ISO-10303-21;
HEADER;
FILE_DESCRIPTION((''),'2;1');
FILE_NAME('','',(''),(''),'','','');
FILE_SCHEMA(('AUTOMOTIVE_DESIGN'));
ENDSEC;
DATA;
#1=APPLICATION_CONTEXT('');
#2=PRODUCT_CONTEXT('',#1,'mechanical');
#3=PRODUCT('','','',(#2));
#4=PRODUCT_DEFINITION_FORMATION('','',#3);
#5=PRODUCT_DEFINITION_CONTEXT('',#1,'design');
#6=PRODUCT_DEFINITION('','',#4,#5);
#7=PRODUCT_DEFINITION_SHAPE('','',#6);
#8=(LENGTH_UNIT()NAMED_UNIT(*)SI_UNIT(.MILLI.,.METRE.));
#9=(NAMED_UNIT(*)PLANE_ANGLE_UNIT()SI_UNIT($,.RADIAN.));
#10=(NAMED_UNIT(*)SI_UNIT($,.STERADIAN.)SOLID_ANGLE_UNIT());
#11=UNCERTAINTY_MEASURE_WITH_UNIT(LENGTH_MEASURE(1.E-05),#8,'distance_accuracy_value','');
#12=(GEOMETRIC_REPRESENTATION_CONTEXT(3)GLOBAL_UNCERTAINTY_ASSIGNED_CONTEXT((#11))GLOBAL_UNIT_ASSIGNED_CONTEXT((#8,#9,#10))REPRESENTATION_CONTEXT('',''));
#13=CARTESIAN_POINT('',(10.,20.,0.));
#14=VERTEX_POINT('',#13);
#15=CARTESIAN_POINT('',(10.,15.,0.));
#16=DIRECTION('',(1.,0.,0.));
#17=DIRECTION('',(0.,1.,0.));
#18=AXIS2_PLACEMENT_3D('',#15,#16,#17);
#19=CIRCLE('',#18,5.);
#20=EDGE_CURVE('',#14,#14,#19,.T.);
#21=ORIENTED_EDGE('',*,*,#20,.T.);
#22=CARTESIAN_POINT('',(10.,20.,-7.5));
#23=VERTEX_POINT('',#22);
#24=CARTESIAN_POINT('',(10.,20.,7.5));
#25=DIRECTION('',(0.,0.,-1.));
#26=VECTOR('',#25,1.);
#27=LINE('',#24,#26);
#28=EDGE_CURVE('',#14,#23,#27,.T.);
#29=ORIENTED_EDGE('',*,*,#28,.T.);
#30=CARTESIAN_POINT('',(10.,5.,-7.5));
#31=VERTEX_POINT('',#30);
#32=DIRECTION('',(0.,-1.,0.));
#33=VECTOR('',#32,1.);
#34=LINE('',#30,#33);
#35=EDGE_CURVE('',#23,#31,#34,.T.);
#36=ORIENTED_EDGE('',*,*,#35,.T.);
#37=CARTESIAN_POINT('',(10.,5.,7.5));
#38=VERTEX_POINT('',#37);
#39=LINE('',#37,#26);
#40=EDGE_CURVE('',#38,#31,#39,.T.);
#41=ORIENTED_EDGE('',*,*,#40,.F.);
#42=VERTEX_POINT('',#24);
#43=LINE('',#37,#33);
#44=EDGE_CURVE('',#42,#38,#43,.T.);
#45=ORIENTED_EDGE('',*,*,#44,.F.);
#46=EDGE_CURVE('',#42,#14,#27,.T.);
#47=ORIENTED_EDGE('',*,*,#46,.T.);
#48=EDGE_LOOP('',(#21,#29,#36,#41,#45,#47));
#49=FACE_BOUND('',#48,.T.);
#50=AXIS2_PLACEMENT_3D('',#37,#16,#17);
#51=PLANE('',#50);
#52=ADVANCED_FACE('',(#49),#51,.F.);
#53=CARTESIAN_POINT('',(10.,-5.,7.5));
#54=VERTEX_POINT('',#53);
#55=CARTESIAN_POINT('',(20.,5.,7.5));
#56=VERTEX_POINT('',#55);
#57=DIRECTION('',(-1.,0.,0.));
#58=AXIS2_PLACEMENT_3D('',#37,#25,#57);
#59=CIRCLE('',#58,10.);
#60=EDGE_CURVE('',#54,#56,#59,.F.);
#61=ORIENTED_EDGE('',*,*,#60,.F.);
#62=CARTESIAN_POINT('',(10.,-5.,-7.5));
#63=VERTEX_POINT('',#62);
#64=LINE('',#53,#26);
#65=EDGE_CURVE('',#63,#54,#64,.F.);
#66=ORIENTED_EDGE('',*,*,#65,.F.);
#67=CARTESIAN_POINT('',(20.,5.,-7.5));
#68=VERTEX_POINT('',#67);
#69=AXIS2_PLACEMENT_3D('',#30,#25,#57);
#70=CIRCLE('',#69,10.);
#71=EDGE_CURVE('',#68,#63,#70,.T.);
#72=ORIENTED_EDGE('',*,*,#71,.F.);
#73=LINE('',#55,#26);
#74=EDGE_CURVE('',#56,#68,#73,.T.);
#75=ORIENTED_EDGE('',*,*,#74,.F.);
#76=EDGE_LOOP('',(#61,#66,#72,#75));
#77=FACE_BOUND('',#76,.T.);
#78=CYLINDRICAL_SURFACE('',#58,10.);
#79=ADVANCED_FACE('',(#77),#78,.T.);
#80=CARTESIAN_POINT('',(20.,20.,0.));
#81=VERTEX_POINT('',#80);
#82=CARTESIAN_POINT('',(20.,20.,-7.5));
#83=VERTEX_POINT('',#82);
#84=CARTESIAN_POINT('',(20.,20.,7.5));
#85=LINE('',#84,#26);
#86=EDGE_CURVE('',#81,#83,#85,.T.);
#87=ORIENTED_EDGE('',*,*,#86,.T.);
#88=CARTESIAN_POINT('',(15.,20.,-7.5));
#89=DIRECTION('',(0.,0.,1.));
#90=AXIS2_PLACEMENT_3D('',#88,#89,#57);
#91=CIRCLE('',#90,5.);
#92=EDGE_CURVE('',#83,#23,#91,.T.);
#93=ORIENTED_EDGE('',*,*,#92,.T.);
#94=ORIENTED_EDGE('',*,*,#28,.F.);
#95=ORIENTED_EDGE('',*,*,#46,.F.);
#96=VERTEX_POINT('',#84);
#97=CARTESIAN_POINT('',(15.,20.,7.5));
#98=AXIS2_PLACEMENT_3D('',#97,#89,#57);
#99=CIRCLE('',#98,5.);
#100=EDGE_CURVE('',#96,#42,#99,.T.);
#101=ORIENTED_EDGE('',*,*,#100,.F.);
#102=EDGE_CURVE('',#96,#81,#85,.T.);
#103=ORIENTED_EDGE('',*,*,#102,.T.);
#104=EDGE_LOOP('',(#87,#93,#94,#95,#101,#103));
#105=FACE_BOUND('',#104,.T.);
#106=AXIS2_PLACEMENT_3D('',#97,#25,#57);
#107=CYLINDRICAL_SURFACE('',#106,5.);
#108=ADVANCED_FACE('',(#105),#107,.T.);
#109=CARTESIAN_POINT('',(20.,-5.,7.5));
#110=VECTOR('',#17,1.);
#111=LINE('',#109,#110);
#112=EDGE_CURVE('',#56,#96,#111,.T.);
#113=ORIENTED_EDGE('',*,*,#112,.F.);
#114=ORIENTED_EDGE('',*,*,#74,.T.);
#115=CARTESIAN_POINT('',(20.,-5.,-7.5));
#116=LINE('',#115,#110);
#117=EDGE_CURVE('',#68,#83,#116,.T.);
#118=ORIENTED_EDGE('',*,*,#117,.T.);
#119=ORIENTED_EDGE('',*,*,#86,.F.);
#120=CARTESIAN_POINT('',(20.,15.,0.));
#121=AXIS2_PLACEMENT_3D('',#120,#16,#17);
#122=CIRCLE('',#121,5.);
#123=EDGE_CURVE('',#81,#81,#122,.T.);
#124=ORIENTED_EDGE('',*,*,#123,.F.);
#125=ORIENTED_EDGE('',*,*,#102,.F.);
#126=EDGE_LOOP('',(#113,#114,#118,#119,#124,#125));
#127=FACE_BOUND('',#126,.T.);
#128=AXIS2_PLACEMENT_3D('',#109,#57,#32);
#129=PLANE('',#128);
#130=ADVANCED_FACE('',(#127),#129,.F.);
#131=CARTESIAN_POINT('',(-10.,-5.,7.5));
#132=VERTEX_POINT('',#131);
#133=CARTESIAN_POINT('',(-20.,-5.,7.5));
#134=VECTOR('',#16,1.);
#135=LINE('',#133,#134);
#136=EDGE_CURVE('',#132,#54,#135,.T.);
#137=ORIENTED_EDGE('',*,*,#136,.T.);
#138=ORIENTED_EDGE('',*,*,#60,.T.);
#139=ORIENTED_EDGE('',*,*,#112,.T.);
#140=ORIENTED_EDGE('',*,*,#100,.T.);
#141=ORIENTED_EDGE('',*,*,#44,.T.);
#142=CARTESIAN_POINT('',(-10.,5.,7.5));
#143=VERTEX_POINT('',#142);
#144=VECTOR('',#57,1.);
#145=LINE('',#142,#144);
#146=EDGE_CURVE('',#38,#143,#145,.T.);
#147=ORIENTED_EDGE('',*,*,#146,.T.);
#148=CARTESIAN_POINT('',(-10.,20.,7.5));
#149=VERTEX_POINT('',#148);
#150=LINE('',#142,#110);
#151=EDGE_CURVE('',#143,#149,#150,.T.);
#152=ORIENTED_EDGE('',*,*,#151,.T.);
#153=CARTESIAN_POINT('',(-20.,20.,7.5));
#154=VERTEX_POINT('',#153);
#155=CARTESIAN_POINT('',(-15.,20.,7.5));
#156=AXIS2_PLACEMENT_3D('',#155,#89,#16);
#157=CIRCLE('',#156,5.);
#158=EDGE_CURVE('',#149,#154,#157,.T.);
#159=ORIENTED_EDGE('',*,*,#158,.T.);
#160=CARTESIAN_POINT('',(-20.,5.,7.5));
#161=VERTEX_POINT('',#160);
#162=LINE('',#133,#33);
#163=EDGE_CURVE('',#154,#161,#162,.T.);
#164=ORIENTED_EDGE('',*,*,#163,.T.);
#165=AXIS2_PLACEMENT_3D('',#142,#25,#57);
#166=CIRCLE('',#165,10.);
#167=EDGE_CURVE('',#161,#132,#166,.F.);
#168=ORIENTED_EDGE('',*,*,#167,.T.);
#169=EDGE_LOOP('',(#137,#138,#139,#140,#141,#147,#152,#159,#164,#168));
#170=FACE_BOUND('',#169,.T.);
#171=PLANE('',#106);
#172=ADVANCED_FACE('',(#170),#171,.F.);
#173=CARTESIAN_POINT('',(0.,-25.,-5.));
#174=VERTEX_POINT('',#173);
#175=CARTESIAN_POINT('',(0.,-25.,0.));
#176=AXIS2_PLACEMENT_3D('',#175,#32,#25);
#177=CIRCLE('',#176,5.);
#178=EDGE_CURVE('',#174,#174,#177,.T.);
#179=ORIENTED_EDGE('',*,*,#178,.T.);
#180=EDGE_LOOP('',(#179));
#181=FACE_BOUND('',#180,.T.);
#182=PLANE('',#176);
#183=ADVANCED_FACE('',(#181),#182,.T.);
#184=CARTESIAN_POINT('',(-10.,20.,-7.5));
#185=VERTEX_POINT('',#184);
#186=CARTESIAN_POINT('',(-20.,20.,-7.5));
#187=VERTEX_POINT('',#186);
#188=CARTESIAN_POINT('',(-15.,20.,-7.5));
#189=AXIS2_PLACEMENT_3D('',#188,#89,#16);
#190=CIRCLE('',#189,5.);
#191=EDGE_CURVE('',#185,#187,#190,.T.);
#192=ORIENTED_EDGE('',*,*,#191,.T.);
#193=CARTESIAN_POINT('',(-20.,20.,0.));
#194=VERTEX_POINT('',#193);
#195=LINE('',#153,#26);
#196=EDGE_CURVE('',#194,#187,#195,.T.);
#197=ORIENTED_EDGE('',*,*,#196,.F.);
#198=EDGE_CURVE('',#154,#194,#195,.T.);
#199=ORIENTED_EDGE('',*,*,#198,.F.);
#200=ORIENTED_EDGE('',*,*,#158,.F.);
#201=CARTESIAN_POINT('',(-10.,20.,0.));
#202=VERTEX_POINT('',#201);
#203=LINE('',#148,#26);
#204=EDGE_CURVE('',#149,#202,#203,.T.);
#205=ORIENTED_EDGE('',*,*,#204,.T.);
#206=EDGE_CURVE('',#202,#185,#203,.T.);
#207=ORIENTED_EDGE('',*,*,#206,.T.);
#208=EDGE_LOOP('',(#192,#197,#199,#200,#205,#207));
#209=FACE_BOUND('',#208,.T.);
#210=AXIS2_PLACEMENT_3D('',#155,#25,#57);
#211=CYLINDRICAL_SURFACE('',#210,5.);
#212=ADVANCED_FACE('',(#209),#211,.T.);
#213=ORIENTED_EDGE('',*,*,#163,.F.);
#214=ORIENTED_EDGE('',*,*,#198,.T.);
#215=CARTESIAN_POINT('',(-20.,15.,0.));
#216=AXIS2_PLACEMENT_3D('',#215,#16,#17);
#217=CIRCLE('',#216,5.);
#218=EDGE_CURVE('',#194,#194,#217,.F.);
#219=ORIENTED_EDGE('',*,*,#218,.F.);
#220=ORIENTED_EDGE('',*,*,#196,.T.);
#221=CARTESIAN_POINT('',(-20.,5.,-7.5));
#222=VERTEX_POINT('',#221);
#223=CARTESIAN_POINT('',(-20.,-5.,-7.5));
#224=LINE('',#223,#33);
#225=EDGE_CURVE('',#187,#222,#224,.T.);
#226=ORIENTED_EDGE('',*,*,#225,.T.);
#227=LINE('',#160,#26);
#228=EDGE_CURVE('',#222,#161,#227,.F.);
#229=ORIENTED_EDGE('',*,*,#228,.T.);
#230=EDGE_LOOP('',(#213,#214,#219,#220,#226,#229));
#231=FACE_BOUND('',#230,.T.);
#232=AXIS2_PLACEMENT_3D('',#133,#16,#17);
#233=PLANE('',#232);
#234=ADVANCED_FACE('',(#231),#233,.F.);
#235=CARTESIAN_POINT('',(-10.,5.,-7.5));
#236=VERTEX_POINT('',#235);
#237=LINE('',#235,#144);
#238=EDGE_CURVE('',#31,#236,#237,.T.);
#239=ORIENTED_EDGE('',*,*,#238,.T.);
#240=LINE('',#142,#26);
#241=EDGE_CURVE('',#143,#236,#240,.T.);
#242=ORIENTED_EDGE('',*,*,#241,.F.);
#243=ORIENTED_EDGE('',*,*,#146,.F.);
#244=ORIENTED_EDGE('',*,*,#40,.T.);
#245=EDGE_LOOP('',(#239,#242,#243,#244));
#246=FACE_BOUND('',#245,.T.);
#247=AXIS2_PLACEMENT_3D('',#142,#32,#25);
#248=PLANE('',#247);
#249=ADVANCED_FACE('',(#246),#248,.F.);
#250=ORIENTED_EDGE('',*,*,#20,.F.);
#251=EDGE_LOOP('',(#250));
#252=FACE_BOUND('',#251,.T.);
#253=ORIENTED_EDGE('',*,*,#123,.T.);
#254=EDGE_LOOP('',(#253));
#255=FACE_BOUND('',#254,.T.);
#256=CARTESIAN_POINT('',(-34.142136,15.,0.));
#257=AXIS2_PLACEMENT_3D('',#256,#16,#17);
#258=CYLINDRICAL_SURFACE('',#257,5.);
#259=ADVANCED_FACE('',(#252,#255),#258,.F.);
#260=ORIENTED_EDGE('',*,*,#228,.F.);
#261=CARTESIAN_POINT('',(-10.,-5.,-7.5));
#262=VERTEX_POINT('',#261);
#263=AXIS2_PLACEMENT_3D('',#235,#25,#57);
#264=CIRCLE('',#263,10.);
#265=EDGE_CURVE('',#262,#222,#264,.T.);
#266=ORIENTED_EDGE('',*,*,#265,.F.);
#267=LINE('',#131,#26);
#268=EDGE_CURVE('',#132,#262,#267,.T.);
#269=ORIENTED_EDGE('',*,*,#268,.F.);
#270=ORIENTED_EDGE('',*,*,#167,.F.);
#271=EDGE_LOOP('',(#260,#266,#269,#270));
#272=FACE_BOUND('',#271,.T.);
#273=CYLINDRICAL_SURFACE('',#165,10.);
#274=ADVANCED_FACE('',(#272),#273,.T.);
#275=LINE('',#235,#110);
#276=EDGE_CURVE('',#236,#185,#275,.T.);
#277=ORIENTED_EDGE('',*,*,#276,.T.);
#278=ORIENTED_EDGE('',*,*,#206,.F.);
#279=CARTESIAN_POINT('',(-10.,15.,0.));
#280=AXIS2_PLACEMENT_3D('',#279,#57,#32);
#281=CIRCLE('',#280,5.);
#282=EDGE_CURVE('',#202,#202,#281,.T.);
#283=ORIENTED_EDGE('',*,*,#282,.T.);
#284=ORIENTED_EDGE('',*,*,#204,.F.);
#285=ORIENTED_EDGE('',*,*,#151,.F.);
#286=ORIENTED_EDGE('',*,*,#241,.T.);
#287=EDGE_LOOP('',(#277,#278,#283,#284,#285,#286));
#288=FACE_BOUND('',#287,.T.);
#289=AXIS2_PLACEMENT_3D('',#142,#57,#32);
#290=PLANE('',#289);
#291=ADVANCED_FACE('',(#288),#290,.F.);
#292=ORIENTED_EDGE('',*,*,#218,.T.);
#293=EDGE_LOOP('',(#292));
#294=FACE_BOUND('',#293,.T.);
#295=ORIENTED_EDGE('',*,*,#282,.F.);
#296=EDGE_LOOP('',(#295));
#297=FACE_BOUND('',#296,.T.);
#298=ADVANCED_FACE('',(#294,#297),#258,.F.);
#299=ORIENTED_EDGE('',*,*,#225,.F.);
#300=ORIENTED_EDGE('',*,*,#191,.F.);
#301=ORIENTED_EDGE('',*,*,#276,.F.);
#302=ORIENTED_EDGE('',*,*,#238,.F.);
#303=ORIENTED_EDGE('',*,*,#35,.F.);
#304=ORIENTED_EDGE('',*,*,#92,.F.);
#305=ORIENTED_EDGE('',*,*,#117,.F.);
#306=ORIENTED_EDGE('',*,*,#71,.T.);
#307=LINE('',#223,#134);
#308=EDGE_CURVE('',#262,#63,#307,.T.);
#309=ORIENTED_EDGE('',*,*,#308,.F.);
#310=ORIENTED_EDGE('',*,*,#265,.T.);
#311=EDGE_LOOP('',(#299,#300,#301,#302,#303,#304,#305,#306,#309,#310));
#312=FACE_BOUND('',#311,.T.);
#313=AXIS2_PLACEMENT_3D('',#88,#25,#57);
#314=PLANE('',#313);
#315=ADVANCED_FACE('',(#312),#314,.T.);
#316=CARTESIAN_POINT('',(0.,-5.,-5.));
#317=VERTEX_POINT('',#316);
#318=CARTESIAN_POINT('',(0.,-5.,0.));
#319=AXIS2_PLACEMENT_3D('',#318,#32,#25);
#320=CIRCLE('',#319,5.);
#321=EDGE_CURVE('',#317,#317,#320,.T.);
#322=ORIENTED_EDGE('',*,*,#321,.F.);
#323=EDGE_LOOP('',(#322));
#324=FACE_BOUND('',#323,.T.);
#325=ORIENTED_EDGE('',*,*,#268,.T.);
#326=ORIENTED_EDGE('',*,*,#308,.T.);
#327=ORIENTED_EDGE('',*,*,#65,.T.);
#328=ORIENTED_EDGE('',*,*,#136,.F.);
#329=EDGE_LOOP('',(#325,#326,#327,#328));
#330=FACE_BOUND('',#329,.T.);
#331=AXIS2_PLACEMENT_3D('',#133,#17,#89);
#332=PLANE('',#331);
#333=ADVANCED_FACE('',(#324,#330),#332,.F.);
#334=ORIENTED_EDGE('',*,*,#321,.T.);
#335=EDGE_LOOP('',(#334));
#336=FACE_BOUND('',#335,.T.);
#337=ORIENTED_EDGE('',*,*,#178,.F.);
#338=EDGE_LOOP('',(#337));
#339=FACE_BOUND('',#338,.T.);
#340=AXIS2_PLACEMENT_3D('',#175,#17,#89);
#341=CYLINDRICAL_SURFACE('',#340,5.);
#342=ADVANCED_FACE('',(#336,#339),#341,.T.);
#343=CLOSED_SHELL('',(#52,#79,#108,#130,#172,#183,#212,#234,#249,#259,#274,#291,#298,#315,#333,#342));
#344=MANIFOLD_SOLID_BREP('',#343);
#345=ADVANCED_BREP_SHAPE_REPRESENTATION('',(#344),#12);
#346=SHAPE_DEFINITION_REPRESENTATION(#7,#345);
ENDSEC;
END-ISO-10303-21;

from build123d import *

# Parameters (mm, degrees)
BOSS_EXTRUDE1_DEPTH = 7.5
SKETCH3_R           = 5
BOSS_EXTRUDE2_DEPTH = 20
FILLET1_R           = 10
SKETCH2_R           = 5
CUT_EXTRUDE1_DEPTH  = 40


with BuildPart() as part:
    # Sketch1 → Boss-Extrude1 (new body, symmetric)
    with BuildSketch(Plane.XY):
        with BuildLine():
            Line((10, 5), (10, 20))
            ThreePointArc((10, 20), (15, 25), (20, 20))
            Line((20, 20), (20, -5))
            Line((20, -5), (-20, -5))
            Line((-20, -5), (-20, 20))
            ThreePointArc((-20, 20), (-15, 25), (-10, 20))
            Line((-10, 20), (-10, 5))
            Line((-10, 5), (10, 5))
        make_face()
    extrude(amount=BOSS_EXTRUDE1_DEPTH, both=True)

    # Sketch3 → Boss-Extrude2 (add)
    with BuildSketch(Plane.XZ.offset(5)):
        Circle(SKETCH3_R)
    extrude(amount=BOSS_EXTRUDE2_DEPTH)

    # Fillet1
    fillet1_edges = [part.edges().sort_by_distance(p)[0] for p in [
        (20, -5, 0),
        (-20, -5, 0),
    ]]
    fillet(fillet1_edges, radius=FILLET1_R)

    # Sketch2 → Cut-Extrude1 (cut)
    with BuildSketch(Plane(origin=(20, 0, 0), x_dir=(0, 0, -1), z_dir=(1, 0, 0))):
        with Locations((0, 15)):
            Circle(SKETCH2_R)
    extrude(amount=-CUT_EXTRUDE1_DEPTH, mode=Mode.SUBTRACT)


solid = part.part
